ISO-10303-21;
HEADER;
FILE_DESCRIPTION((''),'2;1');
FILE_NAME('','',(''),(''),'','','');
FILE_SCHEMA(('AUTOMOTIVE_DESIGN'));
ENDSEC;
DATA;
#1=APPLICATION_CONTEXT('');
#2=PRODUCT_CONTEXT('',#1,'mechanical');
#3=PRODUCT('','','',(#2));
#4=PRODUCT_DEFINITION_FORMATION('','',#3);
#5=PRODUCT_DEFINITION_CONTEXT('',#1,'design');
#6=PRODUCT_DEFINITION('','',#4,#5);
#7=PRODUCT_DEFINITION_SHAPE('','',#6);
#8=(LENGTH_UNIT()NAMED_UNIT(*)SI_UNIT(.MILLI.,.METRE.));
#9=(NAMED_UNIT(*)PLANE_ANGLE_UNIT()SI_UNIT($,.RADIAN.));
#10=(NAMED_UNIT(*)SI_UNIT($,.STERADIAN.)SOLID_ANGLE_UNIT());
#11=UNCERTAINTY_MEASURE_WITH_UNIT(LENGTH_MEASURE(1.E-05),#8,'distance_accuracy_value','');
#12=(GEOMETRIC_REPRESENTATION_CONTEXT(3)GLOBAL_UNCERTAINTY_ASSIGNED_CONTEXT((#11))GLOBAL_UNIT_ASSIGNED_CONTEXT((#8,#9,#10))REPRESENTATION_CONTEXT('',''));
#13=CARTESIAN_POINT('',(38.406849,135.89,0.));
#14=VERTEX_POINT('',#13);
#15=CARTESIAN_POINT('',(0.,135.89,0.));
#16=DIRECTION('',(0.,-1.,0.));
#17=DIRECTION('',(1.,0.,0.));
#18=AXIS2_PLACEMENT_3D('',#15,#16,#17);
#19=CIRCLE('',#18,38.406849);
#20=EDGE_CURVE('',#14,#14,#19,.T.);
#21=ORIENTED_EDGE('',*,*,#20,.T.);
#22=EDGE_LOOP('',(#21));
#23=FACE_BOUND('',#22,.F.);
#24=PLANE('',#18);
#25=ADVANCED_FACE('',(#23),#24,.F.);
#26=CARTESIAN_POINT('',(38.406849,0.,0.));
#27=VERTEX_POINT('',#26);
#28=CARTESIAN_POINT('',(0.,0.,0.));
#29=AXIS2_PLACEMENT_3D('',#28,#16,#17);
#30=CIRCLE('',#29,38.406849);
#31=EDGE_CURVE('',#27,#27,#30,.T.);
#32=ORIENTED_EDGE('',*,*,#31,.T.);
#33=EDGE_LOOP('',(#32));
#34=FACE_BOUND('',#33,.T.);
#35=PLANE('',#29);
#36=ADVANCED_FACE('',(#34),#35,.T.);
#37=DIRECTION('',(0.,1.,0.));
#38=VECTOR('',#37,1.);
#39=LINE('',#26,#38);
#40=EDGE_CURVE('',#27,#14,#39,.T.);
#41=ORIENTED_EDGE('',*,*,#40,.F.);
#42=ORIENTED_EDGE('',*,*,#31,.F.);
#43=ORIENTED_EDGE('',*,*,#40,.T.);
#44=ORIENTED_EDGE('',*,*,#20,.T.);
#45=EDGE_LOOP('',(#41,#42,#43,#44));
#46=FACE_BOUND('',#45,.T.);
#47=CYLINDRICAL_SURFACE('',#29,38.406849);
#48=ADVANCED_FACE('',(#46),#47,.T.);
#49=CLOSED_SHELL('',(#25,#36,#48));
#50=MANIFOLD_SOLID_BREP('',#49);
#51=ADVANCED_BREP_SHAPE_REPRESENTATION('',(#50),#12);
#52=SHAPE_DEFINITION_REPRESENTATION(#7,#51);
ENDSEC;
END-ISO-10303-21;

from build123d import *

# Parameters (mm, degrees)
F1_W     = 127
F1_H     = 76.2
F2_DEPTH = 25.4
F0_R     = 38.4068488144
F4_DEPTH = 135.89


with BuildPart() as f2:
    # F1 (on Top) → F2 (new body)
    with BuildSketch(Plane.XY):
        Rectangle(F1_W, F1_H)
    extrude(amount=F2_DEPTH)


with BuildPart() as f4:
    # F0 (on Front) → F4 (new body)
    with BuildSketch(Plane.XZ):
        Circle(F0_R)
    extrude(amount=-F4_DEPTH)


solid = f4.part
